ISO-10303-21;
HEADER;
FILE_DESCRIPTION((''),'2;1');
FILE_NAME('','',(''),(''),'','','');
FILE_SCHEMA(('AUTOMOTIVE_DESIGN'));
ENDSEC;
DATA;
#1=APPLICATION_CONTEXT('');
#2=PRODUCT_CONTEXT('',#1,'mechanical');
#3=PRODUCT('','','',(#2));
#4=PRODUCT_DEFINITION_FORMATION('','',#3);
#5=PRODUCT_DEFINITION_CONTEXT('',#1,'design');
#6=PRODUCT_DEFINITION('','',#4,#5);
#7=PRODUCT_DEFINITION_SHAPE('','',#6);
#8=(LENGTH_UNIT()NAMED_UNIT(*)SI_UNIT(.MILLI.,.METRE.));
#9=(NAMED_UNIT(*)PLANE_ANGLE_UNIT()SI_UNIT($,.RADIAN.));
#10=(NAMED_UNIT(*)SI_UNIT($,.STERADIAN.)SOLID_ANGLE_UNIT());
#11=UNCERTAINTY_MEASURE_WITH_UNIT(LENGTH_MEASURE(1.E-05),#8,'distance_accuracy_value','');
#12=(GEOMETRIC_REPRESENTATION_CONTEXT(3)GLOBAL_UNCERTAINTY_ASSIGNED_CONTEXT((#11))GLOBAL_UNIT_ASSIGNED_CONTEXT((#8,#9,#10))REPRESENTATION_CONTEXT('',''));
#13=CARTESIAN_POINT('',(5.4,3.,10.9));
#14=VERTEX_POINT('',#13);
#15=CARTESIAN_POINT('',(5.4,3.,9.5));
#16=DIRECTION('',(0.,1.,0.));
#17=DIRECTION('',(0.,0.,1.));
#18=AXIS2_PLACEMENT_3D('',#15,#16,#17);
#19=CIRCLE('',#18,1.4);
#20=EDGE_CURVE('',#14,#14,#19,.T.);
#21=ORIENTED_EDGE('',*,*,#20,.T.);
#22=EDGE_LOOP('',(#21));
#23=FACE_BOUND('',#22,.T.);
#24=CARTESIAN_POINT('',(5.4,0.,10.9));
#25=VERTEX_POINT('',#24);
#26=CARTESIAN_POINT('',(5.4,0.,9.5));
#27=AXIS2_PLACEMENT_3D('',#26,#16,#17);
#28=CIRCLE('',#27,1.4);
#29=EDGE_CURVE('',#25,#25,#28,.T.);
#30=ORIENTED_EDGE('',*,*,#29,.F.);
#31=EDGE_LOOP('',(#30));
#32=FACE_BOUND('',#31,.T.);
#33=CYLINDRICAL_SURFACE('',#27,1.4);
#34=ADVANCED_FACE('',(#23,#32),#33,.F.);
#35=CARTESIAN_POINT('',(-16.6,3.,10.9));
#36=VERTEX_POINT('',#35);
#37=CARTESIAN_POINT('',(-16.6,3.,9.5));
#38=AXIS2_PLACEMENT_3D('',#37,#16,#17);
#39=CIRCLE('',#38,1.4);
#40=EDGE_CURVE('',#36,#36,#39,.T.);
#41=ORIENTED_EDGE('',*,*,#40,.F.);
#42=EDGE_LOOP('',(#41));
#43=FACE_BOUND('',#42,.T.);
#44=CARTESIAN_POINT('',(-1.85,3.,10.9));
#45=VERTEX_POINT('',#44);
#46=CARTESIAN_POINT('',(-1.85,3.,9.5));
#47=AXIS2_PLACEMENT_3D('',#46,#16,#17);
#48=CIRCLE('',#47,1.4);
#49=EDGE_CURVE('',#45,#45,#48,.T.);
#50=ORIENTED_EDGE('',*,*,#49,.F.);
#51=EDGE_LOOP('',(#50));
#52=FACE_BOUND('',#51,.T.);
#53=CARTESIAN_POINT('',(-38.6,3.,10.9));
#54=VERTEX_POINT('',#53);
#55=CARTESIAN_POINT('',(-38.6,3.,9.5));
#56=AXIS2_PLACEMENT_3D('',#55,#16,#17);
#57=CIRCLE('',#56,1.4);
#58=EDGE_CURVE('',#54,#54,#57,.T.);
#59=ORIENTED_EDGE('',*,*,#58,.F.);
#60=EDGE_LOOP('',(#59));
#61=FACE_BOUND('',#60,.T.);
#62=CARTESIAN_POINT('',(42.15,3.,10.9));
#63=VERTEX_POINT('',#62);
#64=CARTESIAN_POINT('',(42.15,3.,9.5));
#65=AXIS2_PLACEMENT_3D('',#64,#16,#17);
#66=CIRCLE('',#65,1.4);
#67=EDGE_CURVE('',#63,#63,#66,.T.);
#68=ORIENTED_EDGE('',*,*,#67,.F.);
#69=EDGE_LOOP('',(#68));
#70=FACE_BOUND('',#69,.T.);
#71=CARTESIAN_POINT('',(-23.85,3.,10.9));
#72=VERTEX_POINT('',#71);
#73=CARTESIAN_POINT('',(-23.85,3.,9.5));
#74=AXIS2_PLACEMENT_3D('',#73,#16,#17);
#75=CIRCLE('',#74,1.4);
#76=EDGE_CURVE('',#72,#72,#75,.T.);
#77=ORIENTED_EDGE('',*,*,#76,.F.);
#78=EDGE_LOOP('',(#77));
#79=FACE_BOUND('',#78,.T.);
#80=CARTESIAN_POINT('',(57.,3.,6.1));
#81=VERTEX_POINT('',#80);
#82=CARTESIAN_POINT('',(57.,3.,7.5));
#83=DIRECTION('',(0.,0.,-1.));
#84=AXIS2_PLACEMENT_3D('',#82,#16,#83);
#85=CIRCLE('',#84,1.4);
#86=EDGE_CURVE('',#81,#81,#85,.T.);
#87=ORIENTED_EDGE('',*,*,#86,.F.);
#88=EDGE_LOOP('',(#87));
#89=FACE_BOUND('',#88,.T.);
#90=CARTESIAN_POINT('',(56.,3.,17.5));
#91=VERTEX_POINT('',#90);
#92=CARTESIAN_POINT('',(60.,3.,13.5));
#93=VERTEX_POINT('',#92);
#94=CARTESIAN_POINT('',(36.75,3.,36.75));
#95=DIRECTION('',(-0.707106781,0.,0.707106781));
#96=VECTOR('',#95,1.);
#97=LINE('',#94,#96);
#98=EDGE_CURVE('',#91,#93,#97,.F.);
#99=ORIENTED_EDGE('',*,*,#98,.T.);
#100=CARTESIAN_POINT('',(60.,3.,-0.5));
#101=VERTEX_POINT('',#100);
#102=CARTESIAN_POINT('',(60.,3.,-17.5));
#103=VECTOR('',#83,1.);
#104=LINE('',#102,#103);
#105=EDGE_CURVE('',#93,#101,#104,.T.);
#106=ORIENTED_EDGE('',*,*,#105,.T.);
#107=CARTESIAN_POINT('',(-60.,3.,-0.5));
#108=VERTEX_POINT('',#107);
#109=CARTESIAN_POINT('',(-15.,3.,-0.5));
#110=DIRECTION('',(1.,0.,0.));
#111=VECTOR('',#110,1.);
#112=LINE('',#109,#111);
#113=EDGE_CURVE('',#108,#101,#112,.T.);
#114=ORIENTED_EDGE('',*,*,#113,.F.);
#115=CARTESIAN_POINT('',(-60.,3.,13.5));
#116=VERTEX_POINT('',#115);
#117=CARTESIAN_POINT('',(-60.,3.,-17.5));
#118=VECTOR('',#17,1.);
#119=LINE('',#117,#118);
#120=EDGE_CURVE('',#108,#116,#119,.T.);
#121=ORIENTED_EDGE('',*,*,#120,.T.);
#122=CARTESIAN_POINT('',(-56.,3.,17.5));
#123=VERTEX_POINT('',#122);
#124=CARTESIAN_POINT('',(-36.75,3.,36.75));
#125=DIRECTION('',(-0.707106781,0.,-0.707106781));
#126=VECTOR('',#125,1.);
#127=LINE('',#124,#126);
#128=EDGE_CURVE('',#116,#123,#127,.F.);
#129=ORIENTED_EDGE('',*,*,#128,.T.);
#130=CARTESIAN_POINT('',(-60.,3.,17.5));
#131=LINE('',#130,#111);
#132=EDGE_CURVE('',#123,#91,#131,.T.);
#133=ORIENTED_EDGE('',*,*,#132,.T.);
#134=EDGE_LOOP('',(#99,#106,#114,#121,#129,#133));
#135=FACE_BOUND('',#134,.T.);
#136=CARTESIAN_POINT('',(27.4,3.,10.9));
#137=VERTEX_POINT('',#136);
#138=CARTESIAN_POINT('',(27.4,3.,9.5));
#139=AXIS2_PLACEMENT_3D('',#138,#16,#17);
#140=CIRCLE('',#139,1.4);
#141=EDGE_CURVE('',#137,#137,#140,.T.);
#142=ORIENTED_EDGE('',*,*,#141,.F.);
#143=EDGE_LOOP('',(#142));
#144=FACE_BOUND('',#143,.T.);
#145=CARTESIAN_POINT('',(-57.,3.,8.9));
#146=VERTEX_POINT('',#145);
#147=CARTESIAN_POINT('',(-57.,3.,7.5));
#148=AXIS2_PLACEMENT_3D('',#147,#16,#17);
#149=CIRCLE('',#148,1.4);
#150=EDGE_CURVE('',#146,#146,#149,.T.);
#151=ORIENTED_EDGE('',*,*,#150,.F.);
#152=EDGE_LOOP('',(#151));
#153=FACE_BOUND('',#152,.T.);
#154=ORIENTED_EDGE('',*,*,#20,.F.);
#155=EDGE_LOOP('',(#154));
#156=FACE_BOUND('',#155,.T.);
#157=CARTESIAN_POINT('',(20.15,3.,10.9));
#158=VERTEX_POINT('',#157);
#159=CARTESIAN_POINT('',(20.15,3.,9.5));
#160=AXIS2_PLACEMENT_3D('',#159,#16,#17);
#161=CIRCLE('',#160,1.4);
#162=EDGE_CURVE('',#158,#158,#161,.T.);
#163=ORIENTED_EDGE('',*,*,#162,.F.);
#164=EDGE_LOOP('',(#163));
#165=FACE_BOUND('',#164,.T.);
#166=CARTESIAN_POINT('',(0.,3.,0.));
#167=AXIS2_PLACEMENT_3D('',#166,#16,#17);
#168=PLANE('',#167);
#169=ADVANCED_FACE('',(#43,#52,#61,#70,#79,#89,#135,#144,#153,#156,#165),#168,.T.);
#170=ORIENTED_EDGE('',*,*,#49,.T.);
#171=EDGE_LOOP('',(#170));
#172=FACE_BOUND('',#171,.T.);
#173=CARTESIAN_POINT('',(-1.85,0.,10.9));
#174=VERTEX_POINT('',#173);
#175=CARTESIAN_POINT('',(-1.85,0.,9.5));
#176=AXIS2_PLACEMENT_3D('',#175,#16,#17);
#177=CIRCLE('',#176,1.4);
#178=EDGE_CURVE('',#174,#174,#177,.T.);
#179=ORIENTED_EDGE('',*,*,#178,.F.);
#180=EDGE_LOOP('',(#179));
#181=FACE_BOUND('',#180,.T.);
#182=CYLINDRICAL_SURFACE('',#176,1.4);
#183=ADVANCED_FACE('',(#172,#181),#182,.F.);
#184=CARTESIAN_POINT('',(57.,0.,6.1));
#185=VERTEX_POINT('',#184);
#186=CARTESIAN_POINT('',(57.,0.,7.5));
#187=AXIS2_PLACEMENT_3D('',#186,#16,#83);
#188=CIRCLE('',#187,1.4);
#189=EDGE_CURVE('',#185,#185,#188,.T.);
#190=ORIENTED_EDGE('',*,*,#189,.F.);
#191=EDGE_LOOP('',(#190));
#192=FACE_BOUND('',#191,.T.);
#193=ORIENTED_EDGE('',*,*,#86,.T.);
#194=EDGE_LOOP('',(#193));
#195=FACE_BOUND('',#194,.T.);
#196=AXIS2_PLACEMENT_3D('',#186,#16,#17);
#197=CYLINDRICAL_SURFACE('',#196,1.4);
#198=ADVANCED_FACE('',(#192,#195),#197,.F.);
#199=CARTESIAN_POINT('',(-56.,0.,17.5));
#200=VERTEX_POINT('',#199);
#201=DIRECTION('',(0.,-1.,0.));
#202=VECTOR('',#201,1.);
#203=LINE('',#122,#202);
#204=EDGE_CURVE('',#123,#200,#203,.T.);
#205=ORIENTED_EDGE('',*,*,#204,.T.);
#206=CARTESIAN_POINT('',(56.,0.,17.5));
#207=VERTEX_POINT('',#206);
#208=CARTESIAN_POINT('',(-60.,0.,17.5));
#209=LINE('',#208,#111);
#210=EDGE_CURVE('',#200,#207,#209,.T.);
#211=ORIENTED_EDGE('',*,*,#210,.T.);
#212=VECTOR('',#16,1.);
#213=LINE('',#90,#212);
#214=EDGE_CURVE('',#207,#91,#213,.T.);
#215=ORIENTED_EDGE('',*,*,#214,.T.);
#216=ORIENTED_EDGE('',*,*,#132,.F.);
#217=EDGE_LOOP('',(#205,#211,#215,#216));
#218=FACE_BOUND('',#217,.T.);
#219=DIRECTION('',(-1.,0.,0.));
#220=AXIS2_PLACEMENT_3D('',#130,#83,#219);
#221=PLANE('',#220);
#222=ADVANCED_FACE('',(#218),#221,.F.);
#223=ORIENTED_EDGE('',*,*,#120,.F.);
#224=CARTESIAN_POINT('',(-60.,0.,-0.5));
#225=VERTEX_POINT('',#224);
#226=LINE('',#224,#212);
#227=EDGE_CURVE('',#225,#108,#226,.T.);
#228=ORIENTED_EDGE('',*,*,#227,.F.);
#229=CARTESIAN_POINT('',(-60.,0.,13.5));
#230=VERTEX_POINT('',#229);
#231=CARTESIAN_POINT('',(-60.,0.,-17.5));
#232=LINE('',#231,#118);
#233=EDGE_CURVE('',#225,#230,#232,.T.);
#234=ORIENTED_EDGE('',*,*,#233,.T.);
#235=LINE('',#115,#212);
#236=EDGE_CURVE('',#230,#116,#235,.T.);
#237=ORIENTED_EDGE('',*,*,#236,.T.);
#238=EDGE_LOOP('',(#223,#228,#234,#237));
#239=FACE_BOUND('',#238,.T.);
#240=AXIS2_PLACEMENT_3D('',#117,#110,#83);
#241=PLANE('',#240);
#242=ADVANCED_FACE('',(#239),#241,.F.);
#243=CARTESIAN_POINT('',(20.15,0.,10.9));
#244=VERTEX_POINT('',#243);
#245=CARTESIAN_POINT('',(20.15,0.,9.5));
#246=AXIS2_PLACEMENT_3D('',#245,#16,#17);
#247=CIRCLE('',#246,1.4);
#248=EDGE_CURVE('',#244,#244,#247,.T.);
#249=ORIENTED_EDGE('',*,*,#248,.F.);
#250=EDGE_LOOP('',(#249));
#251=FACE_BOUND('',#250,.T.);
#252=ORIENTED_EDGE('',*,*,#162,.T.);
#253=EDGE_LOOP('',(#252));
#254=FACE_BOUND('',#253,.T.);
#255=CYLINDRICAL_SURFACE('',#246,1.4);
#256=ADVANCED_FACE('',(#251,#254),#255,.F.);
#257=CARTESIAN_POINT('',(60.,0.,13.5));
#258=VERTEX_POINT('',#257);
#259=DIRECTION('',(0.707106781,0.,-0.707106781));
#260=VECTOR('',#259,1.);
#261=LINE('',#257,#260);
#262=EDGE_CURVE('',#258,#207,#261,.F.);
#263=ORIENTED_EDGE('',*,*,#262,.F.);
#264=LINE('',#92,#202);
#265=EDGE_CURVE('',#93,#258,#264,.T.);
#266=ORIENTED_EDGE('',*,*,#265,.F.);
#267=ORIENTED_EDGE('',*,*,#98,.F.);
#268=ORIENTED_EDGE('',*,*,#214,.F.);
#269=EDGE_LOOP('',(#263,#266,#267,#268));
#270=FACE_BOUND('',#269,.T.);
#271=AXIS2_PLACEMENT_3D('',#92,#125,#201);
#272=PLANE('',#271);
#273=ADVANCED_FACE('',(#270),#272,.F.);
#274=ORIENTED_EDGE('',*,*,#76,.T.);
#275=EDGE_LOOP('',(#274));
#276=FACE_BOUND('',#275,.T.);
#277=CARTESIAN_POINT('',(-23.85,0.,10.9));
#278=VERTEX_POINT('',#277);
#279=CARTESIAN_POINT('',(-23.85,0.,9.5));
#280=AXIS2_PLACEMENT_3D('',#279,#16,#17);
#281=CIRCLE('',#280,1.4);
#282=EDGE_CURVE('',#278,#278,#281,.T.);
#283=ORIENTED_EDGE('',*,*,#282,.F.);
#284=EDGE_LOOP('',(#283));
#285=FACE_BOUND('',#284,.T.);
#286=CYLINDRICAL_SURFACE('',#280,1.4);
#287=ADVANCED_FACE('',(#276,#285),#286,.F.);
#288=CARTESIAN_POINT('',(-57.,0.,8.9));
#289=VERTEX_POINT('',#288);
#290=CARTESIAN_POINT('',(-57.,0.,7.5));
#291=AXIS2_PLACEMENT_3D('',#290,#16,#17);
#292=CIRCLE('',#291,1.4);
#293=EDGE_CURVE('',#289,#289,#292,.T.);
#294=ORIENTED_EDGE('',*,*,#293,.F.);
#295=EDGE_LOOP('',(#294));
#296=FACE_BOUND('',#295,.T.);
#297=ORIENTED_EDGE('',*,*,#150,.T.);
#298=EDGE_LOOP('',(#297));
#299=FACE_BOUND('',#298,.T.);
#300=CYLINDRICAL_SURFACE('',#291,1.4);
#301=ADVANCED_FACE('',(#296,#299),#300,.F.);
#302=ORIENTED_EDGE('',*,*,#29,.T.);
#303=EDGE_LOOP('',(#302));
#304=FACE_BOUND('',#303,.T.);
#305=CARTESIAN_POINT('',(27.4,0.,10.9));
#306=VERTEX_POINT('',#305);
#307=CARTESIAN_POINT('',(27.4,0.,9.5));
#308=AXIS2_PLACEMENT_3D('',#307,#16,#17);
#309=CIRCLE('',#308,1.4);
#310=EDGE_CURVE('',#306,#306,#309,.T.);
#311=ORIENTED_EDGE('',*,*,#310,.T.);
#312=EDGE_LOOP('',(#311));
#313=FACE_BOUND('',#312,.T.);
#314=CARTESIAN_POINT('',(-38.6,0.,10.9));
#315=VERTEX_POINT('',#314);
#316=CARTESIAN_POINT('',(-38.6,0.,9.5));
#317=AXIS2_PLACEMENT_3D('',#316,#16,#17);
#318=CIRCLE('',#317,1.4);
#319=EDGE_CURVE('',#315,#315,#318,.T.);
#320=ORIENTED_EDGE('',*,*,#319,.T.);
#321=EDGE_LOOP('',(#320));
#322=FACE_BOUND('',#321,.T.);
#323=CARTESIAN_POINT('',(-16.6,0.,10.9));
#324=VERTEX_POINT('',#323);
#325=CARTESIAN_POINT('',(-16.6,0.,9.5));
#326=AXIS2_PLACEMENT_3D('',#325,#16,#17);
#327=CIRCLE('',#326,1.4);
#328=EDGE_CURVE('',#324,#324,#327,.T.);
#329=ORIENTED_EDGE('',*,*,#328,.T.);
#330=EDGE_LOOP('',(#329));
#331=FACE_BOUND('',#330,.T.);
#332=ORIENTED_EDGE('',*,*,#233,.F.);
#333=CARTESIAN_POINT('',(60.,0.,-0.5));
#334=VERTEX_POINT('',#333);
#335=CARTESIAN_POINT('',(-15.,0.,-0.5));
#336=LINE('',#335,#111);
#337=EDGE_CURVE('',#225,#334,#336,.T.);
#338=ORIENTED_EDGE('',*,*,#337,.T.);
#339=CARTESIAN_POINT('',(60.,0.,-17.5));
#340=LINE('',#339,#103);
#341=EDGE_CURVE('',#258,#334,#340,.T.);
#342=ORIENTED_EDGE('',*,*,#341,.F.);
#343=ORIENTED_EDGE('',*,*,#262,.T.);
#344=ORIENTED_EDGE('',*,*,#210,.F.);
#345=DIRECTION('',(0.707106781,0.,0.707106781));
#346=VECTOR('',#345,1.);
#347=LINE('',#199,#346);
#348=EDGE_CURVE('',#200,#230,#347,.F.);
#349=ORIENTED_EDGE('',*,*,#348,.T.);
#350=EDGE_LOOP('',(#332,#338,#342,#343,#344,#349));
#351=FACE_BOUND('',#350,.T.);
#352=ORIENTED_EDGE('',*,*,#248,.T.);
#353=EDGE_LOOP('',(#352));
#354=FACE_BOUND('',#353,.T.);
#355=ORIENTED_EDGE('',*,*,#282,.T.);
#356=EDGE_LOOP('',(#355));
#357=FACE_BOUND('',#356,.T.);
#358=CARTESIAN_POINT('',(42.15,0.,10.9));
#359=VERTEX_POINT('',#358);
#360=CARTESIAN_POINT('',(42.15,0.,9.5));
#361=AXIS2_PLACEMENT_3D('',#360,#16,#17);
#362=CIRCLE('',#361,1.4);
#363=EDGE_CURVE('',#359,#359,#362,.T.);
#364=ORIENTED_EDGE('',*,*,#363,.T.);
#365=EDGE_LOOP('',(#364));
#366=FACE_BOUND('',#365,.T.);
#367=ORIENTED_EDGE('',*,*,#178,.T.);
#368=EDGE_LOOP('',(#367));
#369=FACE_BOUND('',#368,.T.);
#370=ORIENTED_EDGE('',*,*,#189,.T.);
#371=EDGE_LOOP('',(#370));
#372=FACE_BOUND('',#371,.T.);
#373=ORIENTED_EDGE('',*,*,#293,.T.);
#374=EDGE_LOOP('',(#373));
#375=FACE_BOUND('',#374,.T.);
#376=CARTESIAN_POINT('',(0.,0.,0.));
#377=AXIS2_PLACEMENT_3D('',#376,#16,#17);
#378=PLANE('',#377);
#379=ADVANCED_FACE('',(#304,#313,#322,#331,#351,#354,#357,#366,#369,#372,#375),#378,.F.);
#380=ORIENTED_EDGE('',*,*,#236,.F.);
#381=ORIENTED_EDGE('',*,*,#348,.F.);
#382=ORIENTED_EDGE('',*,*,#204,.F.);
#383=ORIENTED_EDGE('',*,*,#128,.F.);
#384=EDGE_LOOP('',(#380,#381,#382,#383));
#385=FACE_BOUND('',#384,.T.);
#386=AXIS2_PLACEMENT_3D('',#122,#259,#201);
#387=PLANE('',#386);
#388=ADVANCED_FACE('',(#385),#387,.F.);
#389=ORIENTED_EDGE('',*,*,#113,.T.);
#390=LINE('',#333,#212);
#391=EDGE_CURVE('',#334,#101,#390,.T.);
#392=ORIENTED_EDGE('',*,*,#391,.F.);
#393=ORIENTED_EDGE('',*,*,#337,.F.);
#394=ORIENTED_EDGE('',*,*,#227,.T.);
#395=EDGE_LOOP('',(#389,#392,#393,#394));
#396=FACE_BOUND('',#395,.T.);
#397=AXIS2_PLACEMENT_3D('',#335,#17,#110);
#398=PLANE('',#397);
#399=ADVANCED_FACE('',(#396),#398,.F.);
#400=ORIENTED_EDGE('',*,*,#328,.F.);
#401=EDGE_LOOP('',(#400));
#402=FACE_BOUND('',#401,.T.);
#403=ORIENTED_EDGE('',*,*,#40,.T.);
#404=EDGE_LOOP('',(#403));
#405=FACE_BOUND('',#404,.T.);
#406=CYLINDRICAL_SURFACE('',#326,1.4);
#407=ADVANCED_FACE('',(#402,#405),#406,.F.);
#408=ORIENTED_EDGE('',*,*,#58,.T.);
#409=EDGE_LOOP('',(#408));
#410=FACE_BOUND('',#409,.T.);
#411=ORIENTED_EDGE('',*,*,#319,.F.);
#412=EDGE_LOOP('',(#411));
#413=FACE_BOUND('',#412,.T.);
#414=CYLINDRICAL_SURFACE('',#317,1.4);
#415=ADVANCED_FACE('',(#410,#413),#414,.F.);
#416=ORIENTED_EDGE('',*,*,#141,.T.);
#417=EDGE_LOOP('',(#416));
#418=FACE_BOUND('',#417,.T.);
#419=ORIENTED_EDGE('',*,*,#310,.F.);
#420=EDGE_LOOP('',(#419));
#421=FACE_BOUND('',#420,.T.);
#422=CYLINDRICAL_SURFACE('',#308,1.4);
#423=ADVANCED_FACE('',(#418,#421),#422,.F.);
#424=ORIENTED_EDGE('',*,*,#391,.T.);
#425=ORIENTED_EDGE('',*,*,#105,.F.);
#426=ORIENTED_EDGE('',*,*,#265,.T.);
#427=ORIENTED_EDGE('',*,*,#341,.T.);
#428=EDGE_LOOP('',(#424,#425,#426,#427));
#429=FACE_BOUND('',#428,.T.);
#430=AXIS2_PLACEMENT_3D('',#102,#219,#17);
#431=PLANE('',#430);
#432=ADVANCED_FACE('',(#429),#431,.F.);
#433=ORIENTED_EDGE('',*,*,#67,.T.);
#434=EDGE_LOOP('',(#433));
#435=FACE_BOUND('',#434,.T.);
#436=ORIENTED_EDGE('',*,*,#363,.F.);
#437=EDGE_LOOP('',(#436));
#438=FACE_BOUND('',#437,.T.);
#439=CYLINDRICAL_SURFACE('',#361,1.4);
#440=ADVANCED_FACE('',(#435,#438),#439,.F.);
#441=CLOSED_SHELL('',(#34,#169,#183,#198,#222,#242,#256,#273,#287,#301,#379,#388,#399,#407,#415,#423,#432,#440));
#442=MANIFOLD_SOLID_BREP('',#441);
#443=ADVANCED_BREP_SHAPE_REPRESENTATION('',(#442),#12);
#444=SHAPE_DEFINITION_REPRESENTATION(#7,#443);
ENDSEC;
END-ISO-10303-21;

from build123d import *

# Parameters (mm, degrees)
SKETCH_1_W          = 120
SKETCH_1_H          = 35
EXTRUDE_1_DEPTH     = 3
SKETCH_2_W          = 30
SKETCH_2_H          = 17
CUT_EXTRUDE_1_DEPTH = 63.571958576
SKETCH_3_R          = 1.4
CUT_EXTRUDE_2_DEPTH = 63.571958576
SKETCH_4_R          = 1.4
CUT_EXTRUDE_3_DEPTH = 63.571958576
SKETCH_5_W          = 10
SKETCH_5_H          = 5
CUT_EXTRUDE_4_DEPTH = 63.571958576
CHAMFER_1_SIZE      = 4
CHAMFER_1_SIZE2     = 8.578027682
CHAMFER_2_SIZE      = 4
CHAMFER_2_SIZE2     = 8.578027682
FILLET_1_R          = 5
CHAMFER_3_SIZE      = 4
SKETCH_6_W          = 120
SKETCH_6_H          = 17
CUT_EXTRUDE_5_DEPTH = 63.571958576


with BuildPart() as part:
    # 草图1 → 凸台-拉伸1 (new body)
    with BuildSketch(Plane(origin=(0, 0, 0), x_dir=(1, 0, 0), z_dir=(0, 1, 0))):
        Rectangle(SKETCH_1_W, SKETCH_1_H)
    extrude(amount=EXTRUDE_1_DEPTH)

    # 草图2 → 切除-拉伸1 (cut, through all)
    with BuildSketch(Plane(origin=(0, 3, 0), x_dir=(1, 0, 0), z_dir=(0, 1, 0))):
        with Locations((0, 9)):
            Rectangle(SKETCH_2_W, SKETCH_2_H)
    extrude(amount=-CUT_EXTRUDE_1_DEPTH, mode=Mode.SUBTRACT)

    # 草图3 → 切除-拉伸2 (cut, through all)
    with BuildSketch(Plane(origin=(0, 3, 0), x_dir=(1, 0, 0), z_dir=(0, 1, 0))):
        with Locations(Location((-57, 12.5, 0), (0, 0, 270))):
            Circle(SKETCH_3_R)
        with Locations(Location((-57, -7.5, 0), (0, 0, 270))):
            Circle(SKETCH_3_R)
        with Locations(Location((57, -7.5, 0), (0, 0, 90))):
            Circle(SKETCH_3_R)
        with Locations(Location((57, 12.5, 0), (0, 0, 90))):
            Circle(SKETCH_3_R)
    extrude(amount=-CUT_EXTRUDE_2_DEPTH, mode=Mode.SUBTRACT)

    # 草图4 → 切除-拉伸3 (cut, through all)
    with BuildSketch(Plane(origin=(0, 3, 0), x_dir=(1, 0, 0), z_dir=(0, 1, 0))):
        with Locations(Location((5.4, -9.5, 0), (0, 0, 270))):
            Circle(SKETCH_4_R)
        with Locations(Location((20.15, -9.5, 0), (0, 0, 270))):
            Circle(SKETCH_4_R)
        with Locations(Location((27.4, -9.5, 0), (0, 0, 270))):
            Circle(SKETCH_4_R)
        with Locations(Location((42.15, -9.5, 0), (0, 0, 270))):
            Circle(SKETCH_4_R)
        with Locations(Location((-1.85, -9.5, 0), (0, 0, 270))):
            Circle(SKETCH_4_R)
        with Locations(Location((-16.6, -9.5, 0), (0, 0, 270))):
            Circle(SKETCH_4_R)
        with Locations(Location((-23.85, -9.5, 0), (0, 0, 270))):
            Circle(SKETCH_4_R)
        with Locations(Location((-38.6, -9.5, 0), (0, 0, 270))):
            Circle(SKETCH_4_R)
    extrude(amount=-CUT_EXTRUDE_3_DEPTH, mode=Mode.SUBTRACT)

    # 草图5 → 切除-拉伸4 (cut, through all)
    with BuildSketch(Plane(origin=(0, 3, 0), x_dir=(1, 0, 0), z_dir=(0, 1, 0))):
        with Locations((-30, 7.5)):
            Rectangle(SKETCH_5_W, SKETCH_5_H)
        with Locations((30, 7.5)):
            Rectangle(SKETCH_5_W, SKETCH_5_H)
    extrude(amount=-CUT_EXTRUDE_4_DEPTH, mode=Mode.SUBTRACT)

    # 倒角1
    chamfer_1_edges = [part.edges().sort_by_distance(p)[0] for p in [
        (-15, 1.5, -17.5),
    ]]
    chamfer_1_side = [part.faces().sort_by_distance(p)[0] for p in [
        (-37.5, 1.5, -17.5),
    ]]
    chamfer(chamfer_1_edges, length=CHAMFER_1_SIZE, length2=CHAMFER_1_SIZE2, reference=chamfer_1_side[0])

    # 倒角2
    chamfer_2_edges = [part.edges().sort_by_distance(p)[0] for p in [
        (15, 1.5, -17.5),
    ]]
    chamfer_2_side = [part.faces().sort_by_distance(p)[0] for p in [
        (37.5, 1.5, -17.5),
    ]]
    chamfer(chamfer_2_edges, length=CHAMFER_2_SIZE, length2=CHAMFER_2_SIZE2, reference=chamfer_2_side[0])

    # 圆角1
    fillet_1_edges = [part.edges().sort_by_distance(p)[0] for p in [
        (-15, 1.5, -0.5),
        (15, 1.5, -0.5),
    ]]
    fillet(fillet_1_edges, radius=FILLET_1_R)

    # 倒角3
    chamfer_3_edges = [part.edges().sort_by_distance(p)[0] for p in [
        (60, 1.5, 17.5),
        (-60, 1.5, 17.5),
    ]]
    chamfer(chamfer_3_edges, length=CHAMFER_3_SIZE)

    # 草图6 → 切除-拉伸5 (cut, through all)
    with BuildSketch(Plane(origin=(0, 3, 0), x_dir=(1, 0, 0), z_dir=(0, 1, 0))):
        with Locations((0, 9)):
            Rectangle(SKETCH_6_W, SKETCH_6_H)
    extrude(amount=-CUT_EXTRUDE_5_DEPTH, mode=Mode.SUBTRACT)


solid = part.part
